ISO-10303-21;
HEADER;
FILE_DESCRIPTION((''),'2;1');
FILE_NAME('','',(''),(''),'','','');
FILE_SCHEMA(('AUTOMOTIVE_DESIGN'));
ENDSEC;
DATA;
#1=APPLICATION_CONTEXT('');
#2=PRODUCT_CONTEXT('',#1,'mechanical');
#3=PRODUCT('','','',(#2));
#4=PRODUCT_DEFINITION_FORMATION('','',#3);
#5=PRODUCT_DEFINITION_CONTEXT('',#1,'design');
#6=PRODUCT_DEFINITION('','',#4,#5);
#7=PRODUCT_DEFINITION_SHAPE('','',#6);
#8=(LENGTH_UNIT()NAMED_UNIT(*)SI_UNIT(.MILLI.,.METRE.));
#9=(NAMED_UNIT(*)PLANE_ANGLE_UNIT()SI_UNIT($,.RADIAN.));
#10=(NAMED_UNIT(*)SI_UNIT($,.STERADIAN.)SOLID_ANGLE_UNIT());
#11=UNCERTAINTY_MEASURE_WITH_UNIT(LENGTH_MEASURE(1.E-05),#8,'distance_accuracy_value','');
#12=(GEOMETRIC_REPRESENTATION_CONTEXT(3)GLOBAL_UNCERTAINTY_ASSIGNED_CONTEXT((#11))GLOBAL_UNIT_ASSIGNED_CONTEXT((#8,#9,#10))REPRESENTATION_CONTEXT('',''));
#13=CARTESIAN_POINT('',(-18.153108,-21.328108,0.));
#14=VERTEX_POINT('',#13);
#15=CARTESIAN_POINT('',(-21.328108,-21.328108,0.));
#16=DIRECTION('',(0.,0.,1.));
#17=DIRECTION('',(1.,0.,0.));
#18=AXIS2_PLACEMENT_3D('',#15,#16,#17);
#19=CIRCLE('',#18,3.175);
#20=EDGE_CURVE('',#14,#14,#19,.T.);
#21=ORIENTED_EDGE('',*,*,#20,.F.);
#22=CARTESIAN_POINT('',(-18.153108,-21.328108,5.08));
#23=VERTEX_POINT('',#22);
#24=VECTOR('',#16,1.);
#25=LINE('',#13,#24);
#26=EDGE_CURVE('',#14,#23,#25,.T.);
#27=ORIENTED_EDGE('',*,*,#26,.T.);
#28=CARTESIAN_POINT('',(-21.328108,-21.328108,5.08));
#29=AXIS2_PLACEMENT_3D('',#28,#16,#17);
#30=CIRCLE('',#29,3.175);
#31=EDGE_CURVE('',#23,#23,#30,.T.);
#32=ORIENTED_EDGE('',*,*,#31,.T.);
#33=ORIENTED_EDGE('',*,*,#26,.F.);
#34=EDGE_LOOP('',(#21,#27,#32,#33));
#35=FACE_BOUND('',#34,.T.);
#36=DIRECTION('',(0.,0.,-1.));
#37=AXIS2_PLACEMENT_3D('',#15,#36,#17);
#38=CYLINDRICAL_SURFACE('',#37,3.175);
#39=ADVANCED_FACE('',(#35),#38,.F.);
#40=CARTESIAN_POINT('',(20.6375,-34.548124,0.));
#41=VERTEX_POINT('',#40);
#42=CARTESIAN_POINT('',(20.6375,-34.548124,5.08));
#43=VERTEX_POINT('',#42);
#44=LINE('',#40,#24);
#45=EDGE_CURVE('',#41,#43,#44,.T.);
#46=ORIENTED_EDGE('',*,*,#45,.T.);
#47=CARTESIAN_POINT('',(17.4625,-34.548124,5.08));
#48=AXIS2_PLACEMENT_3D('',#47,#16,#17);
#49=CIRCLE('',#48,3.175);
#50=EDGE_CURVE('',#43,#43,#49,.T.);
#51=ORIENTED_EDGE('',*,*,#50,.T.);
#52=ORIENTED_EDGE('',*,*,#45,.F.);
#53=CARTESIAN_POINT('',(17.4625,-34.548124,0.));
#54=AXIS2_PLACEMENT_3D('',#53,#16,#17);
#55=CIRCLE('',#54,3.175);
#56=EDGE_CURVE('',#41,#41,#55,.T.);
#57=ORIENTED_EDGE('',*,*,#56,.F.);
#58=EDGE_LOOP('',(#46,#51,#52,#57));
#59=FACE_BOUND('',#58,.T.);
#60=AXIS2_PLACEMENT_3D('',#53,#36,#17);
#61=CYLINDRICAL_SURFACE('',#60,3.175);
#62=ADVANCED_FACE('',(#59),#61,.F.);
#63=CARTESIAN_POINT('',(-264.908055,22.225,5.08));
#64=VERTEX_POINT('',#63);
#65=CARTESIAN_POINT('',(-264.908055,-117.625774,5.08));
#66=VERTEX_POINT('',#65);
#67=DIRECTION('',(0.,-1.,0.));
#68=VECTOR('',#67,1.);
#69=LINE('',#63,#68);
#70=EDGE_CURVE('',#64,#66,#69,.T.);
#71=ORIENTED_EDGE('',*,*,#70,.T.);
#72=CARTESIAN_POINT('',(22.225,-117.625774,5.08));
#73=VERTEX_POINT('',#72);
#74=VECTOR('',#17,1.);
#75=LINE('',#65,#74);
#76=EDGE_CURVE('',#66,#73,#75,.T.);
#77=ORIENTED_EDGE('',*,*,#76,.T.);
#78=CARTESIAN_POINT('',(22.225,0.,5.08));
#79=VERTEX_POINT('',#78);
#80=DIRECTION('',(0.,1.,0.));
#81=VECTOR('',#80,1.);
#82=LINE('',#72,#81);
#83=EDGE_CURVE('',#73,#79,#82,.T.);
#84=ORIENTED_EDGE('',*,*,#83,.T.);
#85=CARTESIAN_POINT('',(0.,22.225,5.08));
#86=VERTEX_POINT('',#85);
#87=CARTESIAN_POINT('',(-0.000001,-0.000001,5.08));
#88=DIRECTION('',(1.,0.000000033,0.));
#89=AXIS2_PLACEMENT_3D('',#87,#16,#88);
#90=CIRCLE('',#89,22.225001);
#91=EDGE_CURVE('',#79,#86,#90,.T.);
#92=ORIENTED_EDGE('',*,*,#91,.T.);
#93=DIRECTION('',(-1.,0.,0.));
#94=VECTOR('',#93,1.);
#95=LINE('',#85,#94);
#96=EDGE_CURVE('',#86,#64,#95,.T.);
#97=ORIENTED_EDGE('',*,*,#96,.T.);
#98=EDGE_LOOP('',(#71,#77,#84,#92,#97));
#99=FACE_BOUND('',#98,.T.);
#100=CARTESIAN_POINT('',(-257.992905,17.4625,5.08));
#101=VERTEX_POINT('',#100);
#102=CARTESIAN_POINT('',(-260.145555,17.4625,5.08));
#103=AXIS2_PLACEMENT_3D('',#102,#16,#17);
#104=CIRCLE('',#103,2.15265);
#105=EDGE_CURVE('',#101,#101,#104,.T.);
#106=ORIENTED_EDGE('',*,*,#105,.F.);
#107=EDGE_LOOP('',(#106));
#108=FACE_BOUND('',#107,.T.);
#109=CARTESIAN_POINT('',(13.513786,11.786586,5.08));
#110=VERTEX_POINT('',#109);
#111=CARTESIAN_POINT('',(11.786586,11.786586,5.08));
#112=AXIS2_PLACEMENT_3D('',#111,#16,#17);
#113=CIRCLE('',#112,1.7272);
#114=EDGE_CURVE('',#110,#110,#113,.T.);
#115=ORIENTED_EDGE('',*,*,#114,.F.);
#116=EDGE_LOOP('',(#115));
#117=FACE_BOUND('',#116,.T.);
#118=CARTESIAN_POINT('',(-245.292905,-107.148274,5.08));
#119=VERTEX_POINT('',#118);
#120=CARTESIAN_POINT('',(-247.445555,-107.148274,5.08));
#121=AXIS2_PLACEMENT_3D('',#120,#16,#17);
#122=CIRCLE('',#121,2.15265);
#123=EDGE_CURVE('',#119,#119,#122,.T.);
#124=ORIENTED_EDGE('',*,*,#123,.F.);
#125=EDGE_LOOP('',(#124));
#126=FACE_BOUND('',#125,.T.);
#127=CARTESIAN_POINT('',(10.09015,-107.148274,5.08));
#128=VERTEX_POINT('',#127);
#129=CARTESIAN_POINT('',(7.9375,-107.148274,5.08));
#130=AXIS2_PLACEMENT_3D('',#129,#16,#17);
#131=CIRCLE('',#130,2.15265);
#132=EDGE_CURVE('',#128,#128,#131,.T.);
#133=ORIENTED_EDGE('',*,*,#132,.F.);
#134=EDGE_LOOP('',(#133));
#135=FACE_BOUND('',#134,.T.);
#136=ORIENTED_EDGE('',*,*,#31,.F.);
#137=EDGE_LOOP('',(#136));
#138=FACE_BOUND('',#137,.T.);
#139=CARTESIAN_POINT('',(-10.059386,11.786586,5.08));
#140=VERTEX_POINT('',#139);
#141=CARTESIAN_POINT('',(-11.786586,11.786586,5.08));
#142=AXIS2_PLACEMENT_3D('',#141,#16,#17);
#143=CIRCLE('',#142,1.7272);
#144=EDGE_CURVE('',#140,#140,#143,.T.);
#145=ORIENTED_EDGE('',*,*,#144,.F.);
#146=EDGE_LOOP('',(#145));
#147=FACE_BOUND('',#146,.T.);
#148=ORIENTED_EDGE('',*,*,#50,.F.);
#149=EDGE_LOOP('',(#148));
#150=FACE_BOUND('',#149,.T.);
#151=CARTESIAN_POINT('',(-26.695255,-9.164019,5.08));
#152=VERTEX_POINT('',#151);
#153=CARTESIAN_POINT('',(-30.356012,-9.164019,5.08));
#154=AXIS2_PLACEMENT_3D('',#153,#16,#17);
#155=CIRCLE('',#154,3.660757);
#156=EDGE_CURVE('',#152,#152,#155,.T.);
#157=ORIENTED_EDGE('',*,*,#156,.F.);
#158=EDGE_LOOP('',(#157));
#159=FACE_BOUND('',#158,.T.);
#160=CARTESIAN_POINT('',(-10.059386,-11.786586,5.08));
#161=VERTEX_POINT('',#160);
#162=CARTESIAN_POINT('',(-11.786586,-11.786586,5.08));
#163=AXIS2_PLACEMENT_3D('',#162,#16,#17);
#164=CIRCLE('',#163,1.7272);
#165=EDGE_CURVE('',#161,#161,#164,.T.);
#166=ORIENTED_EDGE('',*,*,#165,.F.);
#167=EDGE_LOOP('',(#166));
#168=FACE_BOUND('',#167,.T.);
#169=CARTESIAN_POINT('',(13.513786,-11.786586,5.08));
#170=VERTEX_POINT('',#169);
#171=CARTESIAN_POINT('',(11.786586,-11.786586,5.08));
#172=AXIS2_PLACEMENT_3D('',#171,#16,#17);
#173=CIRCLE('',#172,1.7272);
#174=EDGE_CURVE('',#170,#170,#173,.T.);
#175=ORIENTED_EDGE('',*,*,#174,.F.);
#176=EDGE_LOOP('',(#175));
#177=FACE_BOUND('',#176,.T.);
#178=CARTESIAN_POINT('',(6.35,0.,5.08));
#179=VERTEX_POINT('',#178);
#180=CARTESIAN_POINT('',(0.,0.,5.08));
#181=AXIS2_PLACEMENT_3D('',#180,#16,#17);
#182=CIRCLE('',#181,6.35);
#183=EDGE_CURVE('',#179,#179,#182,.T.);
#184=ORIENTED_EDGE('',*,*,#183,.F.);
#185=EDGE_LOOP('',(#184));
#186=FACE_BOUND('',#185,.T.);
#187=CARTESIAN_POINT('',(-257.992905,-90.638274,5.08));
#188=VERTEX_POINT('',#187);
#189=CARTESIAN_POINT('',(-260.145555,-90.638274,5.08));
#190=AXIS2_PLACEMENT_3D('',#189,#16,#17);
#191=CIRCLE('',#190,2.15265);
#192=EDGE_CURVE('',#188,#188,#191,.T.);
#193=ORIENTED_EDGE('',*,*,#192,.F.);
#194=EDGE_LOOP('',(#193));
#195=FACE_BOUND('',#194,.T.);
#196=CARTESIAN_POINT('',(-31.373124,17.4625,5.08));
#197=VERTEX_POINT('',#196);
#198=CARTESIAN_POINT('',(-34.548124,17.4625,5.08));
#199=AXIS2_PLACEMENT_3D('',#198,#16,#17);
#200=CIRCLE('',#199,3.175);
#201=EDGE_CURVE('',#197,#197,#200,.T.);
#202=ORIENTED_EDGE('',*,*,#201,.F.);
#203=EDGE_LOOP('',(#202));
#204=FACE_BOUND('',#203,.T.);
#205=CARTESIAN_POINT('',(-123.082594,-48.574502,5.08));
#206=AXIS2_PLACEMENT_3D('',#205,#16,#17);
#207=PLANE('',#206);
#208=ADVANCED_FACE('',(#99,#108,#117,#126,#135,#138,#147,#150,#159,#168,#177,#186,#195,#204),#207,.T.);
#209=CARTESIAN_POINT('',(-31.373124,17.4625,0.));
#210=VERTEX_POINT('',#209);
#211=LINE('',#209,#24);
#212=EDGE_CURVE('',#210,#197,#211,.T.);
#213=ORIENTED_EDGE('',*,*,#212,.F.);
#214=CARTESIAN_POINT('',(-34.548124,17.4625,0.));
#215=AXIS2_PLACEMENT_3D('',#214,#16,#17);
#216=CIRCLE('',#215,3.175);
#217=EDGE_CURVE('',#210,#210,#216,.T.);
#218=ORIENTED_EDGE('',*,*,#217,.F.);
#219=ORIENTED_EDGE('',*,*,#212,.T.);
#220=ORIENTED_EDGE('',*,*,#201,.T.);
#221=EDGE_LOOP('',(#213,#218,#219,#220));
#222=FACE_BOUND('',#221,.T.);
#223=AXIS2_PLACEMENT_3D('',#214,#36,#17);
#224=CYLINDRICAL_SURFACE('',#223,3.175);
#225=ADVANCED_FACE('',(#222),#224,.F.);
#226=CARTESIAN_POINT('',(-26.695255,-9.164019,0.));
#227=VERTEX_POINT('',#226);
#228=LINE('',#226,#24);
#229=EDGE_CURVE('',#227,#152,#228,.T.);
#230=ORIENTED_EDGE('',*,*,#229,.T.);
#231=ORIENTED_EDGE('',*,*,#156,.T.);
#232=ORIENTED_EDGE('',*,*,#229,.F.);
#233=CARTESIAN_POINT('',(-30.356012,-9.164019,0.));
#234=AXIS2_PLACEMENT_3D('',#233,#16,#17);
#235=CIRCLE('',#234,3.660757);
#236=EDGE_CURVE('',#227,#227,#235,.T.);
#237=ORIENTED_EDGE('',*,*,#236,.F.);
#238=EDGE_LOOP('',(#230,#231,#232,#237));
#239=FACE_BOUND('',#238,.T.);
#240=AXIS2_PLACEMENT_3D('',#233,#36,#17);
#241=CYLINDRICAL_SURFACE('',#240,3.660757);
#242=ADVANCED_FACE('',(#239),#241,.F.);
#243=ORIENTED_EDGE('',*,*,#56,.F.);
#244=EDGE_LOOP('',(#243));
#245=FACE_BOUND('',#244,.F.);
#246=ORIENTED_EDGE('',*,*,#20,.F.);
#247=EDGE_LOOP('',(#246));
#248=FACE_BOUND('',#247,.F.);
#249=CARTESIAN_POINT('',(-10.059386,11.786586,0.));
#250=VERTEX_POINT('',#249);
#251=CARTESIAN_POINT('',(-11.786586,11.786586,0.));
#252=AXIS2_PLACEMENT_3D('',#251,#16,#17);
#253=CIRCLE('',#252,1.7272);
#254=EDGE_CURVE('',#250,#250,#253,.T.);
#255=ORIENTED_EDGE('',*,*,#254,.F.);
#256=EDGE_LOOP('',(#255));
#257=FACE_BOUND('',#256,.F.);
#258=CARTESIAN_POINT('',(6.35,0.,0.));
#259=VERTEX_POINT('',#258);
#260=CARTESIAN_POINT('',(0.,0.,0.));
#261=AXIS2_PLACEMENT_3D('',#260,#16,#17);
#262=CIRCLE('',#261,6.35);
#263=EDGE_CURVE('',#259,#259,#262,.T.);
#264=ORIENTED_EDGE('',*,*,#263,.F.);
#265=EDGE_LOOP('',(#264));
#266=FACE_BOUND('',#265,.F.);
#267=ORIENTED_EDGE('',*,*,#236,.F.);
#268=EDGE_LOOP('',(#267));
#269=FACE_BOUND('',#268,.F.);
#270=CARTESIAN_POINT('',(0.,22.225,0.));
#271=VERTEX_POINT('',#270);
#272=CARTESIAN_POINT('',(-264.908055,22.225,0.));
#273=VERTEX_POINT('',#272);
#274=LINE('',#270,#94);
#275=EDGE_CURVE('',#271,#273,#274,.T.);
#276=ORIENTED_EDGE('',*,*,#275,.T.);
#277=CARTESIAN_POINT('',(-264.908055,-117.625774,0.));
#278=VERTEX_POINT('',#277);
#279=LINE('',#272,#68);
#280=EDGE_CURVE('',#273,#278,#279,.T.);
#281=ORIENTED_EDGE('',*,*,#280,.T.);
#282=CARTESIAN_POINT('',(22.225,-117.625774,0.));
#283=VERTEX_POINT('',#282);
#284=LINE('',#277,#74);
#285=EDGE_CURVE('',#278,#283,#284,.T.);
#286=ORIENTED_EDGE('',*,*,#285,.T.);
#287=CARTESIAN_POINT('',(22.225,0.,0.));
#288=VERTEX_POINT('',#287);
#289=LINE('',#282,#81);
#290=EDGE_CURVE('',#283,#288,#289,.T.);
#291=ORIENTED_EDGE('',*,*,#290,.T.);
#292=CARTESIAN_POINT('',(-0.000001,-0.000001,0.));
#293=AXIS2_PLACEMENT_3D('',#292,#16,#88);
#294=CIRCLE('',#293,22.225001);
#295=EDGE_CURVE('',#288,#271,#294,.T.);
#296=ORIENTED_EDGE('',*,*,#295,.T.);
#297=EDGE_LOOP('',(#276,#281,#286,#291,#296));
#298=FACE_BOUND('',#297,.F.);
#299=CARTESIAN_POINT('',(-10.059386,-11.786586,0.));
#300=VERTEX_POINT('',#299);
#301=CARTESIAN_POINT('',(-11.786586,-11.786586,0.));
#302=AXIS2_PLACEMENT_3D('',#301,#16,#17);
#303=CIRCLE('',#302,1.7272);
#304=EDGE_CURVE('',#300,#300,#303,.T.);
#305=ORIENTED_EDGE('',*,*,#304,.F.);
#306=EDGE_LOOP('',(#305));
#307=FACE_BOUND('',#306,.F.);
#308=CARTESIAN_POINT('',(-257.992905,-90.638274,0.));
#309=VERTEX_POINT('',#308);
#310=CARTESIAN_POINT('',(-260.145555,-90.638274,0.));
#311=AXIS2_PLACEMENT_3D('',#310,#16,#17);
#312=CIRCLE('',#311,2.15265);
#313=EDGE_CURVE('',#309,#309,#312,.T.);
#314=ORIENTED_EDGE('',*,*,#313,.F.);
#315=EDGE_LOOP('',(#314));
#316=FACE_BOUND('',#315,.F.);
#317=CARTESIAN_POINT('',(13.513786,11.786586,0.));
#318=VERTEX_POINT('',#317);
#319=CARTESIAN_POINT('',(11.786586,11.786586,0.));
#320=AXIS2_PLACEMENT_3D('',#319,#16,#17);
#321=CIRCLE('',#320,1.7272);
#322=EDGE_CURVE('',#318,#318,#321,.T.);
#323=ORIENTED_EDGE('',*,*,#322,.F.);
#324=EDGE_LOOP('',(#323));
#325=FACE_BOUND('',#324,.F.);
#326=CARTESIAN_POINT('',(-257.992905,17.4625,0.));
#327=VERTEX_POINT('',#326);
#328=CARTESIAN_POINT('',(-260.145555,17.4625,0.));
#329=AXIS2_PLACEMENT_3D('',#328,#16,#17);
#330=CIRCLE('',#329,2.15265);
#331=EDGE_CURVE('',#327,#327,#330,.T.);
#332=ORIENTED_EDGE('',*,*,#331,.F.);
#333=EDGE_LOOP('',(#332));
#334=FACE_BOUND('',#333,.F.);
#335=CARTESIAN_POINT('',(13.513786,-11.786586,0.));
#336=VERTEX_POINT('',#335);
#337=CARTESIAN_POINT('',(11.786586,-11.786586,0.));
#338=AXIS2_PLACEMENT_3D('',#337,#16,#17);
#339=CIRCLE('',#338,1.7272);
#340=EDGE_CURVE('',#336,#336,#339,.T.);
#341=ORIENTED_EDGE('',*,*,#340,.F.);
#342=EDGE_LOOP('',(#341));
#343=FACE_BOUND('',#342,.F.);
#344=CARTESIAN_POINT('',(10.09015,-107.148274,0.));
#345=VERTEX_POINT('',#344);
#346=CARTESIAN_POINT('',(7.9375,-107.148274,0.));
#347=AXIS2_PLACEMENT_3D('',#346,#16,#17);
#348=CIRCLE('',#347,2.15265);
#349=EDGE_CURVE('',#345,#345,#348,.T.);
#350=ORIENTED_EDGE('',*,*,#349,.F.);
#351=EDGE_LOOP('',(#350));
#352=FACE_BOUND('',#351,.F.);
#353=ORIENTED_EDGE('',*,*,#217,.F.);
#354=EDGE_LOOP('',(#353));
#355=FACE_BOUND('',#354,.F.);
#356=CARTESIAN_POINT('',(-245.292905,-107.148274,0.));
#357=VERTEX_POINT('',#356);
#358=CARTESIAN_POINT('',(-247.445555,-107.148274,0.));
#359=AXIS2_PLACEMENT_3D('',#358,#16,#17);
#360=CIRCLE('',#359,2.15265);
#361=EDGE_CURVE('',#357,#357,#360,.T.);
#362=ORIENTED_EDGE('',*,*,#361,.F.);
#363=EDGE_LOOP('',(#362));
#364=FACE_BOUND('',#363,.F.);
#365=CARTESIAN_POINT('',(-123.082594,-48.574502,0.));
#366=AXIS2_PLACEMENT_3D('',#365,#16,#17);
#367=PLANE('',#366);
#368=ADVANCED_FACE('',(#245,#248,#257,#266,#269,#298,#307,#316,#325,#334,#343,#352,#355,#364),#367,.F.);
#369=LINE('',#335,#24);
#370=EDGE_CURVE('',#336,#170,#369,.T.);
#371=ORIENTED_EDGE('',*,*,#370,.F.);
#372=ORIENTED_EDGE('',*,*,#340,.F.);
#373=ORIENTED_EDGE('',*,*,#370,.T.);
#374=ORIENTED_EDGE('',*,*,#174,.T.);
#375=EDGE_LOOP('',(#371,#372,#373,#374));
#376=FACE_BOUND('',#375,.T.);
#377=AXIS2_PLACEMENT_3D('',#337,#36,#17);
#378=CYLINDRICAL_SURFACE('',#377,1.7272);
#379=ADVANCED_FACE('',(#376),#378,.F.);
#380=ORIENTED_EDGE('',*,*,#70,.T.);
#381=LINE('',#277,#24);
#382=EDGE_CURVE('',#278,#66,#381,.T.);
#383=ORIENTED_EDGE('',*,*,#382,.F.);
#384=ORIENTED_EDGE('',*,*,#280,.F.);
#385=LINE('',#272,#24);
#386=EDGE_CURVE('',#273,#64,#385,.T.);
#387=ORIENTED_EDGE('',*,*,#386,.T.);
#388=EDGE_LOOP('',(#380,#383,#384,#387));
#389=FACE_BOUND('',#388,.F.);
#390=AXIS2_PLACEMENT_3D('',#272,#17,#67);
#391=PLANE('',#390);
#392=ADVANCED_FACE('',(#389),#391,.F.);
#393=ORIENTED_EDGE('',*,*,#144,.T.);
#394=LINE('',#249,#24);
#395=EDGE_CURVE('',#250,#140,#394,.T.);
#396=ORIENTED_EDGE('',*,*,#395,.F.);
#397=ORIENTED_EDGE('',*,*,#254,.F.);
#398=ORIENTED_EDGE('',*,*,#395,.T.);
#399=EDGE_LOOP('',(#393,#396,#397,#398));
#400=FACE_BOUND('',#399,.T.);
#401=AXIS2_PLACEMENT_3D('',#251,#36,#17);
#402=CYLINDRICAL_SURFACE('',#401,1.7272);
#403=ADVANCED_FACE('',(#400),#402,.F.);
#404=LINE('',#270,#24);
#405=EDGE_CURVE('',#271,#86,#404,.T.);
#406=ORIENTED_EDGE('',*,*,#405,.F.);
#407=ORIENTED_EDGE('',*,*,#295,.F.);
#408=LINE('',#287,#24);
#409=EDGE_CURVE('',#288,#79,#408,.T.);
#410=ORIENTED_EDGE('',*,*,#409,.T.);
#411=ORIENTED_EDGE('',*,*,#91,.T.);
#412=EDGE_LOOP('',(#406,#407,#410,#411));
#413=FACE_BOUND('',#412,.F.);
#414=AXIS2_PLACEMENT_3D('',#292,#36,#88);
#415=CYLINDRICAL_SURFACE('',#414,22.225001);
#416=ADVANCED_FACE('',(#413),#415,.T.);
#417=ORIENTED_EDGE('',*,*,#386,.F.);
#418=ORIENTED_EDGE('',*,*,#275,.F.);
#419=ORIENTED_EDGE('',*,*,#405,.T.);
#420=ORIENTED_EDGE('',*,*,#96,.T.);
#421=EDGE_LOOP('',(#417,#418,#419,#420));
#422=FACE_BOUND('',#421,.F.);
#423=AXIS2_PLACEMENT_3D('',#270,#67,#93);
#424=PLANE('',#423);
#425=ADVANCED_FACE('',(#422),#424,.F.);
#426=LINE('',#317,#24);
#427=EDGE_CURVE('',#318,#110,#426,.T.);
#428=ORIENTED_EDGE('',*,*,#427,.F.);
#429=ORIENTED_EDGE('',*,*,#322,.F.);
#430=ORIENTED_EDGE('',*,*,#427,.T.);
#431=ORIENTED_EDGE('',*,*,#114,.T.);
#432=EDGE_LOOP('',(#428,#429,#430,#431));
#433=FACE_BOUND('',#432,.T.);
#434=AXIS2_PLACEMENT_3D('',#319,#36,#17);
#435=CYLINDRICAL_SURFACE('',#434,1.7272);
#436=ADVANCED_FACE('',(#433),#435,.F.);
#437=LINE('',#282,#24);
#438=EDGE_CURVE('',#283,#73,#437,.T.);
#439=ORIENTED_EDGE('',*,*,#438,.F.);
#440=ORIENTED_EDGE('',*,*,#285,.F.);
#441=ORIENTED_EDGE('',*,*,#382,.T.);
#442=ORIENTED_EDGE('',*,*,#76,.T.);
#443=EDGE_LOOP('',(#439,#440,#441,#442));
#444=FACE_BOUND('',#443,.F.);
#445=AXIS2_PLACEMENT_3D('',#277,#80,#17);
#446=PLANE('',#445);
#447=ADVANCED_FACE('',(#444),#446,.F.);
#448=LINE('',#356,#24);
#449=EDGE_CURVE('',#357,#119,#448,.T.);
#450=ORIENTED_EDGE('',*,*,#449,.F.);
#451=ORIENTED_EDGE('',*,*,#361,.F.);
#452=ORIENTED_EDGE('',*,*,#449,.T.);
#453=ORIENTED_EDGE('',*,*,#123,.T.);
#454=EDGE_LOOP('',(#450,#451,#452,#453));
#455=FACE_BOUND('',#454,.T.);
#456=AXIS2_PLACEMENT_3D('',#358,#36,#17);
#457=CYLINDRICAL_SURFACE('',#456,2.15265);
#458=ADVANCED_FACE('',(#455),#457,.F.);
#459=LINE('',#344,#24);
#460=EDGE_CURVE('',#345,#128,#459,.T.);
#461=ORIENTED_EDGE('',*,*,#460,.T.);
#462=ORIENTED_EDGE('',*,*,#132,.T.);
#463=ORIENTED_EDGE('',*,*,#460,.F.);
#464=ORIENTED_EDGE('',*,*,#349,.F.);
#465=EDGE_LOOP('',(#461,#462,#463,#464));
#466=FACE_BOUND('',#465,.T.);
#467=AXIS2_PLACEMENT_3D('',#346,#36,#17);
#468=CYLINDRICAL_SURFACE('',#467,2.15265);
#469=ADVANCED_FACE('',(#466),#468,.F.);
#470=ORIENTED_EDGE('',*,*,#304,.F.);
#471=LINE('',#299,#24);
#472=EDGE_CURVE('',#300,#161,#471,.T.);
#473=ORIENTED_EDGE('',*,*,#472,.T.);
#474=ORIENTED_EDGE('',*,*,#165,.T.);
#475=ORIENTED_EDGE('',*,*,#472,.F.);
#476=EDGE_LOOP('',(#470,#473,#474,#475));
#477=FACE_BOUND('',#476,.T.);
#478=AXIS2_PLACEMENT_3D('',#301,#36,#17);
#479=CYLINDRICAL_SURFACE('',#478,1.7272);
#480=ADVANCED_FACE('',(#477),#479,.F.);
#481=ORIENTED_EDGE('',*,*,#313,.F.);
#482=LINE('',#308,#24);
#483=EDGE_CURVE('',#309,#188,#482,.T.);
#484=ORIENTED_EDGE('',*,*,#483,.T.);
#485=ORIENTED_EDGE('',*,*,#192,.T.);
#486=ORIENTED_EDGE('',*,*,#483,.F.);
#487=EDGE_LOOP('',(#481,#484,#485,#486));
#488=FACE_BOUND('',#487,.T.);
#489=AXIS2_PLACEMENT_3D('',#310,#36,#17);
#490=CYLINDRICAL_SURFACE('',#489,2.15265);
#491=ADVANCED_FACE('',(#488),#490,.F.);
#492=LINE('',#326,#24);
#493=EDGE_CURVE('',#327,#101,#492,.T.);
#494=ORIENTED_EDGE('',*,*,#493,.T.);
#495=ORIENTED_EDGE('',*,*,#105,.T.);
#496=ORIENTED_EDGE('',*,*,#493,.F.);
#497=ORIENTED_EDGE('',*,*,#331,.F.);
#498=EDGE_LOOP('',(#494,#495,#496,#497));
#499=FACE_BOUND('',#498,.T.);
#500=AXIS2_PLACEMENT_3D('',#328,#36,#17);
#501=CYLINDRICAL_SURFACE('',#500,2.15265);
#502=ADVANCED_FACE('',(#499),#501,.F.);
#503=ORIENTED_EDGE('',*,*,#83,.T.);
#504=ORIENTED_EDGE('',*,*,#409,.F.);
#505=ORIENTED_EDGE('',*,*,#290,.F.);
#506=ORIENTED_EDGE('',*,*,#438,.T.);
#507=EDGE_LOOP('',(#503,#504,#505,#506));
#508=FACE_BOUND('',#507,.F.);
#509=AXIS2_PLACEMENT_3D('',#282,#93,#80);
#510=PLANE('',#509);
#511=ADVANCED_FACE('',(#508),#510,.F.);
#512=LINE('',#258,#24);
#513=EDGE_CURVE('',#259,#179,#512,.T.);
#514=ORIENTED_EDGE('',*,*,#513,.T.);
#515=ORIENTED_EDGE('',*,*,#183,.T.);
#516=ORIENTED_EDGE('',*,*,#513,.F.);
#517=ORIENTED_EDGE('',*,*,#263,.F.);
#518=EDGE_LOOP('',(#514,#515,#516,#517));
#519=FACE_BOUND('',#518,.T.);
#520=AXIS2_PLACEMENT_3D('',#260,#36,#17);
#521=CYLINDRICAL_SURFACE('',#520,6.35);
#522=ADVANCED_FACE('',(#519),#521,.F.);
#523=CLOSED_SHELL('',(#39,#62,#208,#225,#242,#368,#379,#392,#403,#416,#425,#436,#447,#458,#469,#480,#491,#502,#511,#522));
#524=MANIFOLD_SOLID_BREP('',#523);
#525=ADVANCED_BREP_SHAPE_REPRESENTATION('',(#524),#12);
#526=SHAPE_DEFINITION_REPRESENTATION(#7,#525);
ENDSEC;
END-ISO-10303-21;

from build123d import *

# Parameters (mm, degrees)
F0_R     = 2.15265
F0_R_2   = 3.175
F0_R_3   = 3.660757
F0_R_4   = 1.7272
F0_R_5   = 6.35
F1_DEPTH = 5.08


with BuildPart() as f1:
    # F0 (on Top) → F1 (new body)
    with BuildSketch(Plane.XY):
        with BuildLine():
            Line((0, 22.225), (-264.908055, 22.225))
            Line((-264.908055, 22.225), (-264.908055, -117.625774))
            Line((-264.908055, -117.625774), (22.225, -117.625774))
            Line((22.225, -117.625774), (22.225, -96.670774))
            Line((22.225, -96.670774), (22.225, 0))
            ThreePointArc((22.225, 0), (15.715448, 15.715448), (0, 22.225))
        make_face()
        with Locations((-247.445555, -107.148274)):
            Circle(F0_R, mode=Mode.SUBTRACT)
        with Locations((-260.145555, -90.638274)):
            Circle(F0_R, mode=Mode.SUBTRACT)
        with Locations((7.9375, -107.148274)):
            Circle(F0_R, mode=Mode.SUBTRACT)
        with Locations((-260.145555, 17.4625)):
            Circle(F0_R, mode=Mode.SUBTRACT)
        with Locations((17.4625, -34.548124)):
            Circle(F0_R_2, mode=Mode.SUBTRACT)
        with Locations((-21.328108, -21.328108)):
            Circle(F0_R_2, mode=Mode.SUBTRACT)
        with Locations((-30.356012, -9.164019)):
            Circle(F0_R_3, mode=Mode.SUBTRACT)
        with Locations((-11.786586, -11.786586)):
            Circle(F0_R_4, mode=Mode.SUBTRACT)
        with Locations((11.786586, -11.786586)):
            Circle(F0_R_4, mode=Mode.SUBTRACT)
        Circle(F0_R_5, mode=Mode.SUBTRACT)
        with Locations((-34.548124, 17.4625)):
            Circle(F0_R_2, mode=Mode.SUBTRACT)
        with Locations((-11.786586, 11.786586)):
            Circle(F0_R_4, mode=Mode.SUBTRACT)
        with Locations((11.786586, 11.786586)):
            Circle(F0_R_4, mode=Mode.SUBTRACT)
    extrude(amount=F1_DEPTH)


solid = f1.part
